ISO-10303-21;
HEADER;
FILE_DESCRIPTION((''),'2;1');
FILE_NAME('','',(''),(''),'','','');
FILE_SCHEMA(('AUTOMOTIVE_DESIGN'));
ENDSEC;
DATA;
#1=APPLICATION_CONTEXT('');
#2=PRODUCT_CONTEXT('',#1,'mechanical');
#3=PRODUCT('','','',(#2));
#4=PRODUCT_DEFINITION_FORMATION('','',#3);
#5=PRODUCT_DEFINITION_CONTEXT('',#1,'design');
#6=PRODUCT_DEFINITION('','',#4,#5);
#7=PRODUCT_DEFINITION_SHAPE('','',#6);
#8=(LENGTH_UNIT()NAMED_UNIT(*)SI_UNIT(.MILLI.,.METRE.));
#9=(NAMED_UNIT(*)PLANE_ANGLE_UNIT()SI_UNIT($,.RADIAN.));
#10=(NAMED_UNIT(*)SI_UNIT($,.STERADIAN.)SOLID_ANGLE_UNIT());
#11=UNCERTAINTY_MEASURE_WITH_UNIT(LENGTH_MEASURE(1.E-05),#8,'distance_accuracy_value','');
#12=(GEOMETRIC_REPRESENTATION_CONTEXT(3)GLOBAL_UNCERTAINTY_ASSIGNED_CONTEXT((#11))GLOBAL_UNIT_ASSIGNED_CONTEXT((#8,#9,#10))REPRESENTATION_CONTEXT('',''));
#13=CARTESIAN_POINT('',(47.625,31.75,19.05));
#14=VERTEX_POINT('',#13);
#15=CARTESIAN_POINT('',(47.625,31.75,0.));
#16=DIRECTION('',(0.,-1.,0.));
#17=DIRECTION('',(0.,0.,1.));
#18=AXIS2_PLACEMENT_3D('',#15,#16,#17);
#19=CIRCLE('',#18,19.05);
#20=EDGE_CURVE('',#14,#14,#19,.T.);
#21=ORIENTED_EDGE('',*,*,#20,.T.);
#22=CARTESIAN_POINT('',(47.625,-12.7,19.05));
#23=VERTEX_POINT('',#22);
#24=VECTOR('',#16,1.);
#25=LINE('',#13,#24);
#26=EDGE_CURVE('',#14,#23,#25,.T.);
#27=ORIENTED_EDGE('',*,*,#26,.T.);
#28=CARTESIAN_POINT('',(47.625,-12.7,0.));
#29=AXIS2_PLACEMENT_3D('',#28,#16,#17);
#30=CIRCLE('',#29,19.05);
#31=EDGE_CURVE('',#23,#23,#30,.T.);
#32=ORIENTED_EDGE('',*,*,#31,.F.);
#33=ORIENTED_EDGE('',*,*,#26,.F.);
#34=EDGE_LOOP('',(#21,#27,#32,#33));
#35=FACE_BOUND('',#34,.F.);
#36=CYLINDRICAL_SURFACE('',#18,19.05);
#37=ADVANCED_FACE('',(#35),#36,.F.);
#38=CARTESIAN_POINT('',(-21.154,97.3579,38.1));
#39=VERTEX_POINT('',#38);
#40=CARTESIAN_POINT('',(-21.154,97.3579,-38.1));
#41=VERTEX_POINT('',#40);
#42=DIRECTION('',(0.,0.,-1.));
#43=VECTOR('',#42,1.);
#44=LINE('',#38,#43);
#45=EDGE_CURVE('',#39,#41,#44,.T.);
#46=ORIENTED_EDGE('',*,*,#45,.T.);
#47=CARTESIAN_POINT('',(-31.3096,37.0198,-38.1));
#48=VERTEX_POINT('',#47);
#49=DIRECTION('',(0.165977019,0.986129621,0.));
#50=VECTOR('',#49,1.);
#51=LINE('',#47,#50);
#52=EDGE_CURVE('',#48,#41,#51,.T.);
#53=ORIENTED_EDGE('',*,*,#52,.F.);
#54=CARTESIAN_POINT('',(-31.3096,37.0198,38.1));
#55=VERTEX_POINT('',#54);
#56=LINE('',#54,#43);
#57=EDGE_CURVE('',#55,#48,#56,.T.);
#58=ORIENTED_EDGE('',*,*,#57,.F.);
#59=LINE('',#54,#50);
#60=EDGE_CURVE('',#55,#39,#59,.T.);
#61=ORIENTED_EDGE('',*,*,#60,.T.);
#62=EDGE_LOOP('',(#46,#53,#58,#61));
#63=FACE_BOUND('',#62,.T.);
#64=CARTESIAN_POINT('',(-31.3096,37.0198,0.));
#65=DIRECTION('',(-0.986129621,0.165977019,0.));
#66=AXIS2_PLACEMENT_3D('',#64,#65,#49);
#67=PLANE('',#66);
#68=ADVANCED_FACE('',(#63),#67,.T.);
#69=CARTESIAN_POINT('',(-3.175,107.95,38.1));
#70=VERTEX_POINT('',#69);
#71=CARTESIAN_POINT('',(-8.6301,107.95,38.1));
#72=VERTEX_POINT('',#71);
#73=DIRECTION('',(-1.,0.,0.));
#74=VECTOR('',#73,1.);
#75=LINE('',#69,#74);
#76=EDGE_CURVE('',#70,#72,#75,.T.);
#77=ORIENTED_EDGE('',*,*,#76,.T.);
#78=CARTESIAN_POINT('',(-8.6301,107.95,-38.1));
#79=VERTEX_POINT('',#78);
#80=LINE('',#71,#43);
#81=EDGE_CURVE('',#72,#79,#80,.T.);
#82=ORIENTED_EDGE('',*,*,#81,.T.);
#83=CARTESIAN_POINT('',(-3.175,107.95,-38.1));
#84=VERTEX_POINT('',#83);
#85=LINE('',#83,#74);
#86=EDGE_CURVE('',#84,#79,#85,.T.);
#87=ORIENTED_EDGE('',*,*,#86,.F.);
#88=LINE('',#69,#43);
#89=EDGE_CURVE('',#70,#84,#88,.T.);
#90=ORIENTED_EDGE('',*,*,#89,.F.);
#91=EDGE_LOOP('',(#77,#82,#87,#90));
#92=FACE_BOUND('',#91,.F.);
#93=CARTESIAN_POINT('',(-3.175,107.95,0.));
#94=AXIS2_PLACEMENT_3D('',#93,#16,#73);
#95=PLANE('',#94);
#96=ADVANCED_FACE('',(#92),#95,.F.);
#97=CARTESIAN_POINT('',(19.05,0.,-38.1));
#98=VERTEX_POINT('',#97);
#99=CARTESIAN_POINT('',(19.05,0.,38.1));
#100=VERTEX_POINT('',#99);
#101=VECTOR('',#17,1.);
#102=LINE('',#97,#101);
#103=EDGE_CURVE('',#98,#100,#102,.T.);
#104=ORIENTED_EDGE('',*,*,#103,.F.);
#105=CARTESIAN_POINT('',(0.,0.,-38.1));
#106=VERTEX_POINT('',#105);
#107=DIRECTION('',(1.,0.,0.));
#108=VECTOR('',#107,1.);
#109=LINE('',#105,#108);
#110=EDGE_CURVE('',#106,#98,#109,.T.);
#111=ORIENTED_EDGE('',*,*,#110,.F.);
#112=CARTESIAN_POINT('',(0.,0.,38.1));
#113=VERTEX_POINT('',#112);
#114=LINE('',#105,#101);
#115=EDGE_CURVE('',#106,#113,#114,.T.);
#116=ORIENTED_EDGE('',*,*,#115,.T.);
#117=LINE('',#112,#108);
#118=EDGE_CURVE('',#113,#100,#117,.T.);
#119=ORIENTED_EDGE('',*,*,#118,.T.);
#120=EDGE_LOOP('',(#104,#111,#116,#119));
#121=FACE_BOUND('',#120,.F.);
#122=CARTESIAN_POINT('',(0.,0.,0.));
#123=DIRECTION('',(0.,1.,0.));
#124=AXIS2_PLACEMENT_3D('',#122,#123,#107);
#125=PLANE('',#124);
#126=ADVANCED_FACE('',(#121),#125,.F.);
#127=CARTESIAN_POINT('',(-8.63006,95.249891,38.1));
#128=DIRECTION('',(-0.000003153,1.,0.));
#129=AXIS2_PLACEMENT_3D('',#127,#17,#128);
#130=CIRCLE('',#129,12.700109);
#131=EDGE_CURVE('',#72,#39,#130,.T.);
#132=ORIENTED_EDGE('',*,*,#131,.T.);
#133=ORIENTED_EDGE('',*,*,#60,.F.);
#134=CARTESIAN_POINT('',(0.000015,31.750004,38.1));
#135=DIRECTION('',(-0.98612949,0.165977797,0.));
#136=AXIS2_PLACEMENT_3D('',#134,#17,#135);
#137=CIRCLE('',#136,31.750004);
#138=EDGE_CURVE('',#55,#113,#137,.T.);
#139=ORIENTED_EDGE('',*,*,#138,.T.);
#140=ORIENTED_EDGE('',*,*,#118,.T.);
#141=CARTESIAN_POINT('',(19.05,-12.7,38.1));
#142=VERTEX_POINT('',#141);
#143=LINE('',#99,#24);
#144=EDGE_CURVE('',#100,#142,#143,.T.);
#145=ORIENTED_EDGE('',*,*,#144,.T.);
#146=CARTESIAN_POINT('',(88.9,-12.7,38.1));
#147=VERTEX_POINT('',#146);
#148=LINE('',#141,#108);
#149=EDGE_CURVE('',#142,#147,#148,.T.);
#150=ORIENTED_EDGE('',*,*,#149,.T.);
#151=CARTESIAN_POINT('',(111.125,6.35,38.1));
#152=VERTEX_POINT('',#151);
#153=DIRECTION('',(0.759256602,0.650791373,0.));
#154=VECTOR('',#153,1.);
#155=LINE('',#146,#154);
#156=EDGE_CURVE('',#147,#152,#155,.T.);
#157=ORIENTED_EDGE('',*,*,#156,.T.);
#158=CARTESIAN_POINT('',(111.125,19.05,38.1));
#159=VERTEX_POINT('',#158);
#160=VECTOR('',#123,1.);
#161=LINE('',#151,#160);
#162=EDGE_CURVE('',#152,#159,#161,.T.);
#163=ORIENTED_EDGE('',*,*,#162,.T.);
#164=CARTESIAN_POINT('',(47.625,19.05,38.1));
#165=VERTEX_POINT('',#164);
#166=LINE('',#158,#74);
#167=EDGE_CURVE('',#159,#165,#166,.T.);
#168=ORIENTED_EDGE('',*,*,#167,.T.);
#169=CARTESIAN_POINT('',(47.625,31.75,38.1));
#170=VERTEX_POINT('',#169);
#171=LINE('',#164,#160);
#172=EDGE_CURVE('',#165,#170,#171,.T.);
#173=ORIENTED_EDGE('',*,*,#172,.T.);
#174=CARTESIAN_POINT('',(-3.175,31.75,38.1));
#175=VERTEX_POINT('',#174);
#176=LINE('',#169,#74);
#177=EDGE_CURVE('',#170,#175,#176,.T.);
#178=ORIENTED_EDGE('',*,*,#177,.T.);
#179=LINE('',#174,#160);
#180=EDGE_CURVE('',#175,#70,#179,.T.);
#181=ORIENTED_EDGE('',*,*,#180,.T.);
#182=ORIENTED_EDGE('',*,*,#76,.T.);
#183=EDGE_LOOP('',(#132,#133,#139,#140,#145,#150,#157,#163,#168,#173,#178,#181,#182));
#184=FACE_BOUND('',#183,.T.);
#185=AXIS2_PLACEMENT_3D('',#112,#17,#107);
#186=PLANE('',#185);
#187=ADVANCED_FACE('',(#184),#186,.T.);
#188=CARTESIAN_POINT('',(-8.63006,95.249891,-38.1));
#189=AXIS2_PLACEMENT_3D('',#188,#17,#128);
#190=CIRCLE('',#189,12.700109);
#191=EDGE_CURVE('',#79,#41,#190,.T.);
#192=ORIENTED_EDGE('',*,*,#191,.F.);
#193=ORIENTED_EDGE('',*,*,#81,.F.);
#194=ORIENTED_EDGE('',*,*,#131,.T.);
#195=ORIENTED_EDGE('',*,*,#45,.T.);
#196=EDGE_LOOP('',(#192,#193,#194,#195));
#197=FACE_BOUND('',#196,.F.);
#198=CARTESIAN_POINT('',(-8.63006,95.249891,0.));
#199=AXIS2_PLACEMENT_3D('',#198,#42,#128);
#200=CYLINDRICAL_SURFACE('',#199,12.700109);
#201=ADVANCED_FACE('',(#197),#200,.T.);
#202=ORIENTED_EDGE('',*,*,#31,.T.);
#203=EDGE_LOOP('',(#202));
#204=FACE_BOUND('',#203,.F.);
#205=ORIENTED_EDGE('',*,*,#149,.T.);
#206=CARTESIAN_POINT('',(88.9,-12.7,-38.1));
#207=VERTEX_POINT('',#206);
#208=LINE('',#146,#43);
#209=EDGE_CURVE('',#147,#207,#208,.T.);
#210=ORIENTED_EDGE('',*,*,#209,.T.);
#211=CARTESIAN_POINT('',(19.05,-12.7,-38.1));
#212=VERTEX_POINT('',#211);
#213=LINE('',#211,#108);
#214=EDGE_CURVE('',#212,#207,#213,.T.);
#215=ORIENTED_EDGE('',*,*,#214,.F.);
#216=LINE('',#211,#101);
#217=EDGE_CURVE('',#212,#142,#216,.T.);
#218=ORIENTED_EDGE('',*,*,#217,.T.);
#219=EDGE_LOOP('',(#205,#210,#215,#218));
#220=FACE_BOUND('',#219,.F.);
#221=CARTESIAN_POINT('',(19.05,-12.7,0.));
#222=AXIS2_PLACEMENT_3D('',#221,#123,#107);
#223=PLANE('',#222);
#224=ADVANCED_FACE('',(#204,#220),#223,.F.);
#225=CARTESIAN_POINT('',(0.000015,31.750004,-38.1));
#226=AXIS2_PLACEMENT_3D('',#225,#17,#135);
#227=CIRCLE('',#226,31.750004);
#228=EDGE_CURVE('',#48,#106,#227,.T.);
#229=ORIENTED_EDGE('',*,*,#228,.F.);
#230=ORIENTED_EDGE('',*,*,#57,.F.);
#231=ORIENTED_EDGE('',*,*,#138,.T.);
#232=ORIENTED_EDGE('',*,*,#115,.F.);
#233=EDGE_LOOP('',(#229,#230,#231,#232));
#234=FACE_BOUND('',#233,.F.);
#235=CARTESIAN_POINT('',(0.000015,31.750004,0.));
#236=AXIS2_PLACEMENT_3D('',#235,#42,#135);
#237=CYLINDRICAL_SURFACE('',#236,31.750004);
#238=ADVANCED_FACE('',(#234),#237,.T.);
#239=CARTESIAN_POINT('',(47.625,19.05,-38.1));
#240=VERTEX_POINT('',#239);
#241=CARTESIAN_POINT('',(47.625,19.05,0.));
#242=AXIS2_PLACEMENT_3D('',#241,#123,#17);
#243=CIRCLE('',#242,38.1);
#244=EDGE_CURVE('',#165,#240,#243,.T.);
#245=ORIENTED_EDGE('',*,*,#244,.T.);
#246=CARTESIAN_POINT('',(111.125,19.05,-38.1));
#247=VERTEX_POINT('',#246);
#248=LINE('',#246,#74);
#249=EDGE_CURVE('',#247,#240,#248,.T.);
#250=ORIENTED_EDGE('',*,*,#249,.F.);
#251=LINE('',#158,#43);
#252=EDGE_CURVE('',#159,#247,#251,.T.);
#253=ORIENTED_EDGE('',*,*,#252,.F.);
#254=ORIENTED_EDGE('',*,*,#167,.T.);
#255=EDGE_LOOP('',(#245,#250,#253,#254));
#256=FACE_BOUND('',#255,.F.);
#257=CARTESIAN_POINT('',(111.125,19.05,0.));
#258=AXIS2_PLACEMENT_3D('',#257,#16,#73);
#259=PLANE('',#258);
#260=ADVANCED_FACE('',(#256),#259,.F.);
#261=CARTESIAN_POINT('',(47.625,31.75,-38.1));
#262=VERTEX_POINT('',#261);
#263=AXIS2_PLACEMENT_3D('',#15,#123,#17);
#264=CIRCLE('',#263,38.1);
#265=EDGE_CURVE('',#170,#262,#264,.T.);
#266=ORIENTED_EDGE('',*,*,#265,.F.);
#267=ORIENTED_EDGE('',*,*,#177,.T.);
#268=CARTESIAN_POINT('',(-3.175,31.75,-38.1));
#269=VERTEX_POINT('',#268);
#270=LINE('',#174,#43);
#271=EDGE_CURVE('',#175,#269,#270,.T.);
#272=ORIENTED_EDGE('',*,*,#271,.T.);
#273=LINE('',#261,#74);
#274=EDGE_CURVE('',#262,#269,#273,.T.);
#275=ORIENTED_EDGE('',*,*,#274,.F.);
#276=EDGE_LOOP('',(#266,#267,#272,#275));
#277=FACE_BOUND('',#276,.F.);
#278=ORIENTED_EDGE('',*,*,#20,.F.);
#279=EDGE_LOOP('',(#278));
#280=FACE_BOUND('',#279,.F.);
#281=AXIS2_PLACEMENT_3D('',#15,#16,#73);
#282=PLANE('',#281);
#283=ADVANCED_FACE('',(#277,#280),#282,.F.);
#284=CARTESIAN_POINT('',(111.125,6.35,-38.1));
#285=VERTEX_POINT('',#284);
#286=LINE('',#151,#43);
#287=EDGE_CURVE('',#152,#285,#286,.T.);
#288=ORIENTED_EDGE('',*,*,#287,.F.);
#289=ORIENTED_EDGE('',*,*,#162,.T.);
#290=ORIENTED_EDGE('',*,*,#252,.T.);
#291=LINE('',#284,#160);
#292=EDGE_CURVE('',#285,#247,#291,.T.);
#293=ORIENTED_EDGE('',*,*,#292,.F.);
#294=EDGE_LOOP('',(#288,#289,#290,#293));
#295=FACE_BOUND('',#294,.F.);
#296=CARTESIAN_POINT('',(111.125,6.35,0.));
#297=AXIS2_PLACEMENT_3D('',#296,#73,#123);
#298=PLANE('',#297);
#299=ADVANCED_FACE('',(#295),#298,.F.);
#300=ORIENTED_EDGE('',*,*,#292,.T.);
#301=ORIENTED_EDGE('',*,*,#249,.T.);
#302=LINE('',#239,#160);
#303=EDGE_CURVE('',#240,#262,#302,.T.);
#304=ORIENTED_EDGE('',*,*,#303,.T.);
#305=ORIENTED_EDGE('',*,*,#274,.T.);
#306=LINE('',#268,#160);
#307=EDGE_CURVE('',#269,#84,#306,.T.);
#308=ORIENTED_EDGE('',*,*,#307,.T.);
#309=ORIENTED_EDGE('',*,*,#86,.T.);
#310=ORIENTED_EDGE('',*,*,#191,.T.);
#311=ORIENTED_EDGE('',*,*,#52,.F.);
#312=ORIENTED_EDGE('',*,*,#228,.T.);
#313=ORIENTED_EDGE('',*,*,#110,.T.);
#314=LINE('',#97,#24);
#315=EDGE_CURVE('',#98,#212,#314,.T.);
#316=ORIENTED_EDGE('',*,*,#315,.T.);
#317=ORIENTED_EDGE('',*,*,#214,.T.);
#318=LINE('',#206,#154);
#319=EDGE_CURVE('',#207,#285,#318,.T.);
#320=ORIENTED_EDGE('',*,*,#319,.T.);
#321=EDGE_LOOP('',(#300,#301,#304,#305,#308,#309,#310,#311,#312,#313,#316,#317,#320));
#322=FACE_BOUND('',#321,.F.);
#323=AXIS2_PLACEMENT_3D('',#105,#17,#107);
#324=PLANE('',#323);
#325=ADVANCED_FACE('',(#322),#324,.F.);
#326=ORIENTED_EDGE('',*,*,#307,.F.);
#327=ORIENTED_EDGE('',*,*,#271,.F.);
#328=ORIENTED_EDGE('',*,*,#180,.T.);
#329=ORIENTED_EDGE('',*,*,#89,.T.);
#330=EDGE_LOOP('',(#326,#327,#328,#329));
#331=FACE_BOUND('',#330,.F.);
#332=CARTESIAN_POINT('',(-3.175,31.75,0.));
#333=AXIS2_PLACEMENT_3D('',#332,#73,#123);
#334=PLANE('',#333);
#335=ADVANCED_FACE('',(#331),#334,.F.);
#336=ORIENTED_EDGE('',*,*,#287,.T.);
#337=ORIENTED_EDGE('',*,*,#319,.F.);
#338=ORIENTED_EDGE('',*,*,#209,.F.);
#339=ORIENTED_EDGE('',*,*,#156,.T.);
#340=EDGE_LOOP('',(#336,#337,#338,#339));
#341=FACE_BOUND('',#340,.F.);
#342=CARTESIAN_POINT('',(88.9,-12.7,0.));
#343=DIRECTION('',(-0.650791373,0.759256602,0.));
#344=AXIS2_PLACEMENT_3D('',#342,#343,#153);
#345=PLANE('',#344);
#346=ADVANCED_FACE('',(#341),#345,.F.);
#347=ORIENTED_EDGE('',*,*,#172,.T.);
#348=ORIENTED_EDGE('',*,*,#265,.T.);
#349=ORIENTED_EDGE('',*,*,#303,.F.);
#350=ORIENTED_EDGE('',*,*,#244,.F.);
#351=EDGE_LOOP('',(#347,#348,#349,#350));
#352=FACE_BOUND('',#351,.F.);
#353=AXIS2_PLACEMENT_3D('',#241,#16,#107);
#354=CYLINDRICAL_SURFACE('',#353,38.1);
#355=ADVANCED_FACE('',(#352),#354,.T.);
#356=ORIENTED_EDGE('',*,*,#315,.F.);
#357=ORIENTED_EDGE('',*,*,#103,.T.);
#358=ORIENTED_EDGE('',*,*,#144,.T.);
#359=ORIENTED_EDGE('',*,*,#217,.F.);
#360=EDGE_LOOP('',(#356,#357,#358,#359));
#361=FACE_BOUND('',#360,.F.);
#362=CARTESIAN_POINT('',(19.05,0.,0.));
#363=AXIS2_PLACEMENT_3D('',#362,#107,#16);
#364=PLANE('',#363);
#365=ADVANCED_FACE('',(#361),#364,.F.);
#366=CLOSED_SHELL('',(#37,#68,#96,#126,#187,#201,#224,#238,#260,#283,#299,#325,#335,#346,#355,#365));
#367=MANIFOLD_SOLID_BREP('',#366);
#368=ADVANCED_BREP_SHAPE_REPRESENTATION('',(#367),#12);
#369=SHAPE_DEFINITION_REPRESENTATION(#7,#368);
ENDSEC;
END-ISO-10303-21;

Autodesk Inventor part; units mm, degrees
ref_plane "YZ Plane" through (0, 0, 0) normal (1, 0, 0) x (0, 1, 0)
ref_plane "XZ Plane" through (0, 0, 0) normal (0, 1, 0) x (-1, 0, 0)
ref_plane "XY Plane" through (0, 0, 0) normal (0, 0, 1) x (1, 0, 0)
sketch "Sketch1" plane through (0, 0, 0) normal (0, 0, 1) x (1, 0, 0)
  line L0 (0, 0) -> (19.05, 0)
  line L1 (19.05, 0) -> (19.05, -12.7)
  line L2 (19.05, -12.7) -> (88.9, -12.7)
  line L3 (111.125, 19.05) -> (47.625, 19.05)
  line L4 (47.625, 19.05) -> (47.625, 31.75)
  line L5 (47.625, 31.75) -> (-3.175, 31.75)
  line L6 (-3.175, 31.75) -> (-3.175, 107.95)
  line L7 (-3.175, 107.95) -> (-8.6301, 107.95)
  arc A0 (-8.6301, 107.95) -> (-21.154, 97.3579) centre (-8.6301, 95.25) ccw
  arc A1 (-31.3096, 37.0198) -> (0, 0) centre (0, 31.75) ccw
  line L8 (-31.3096, 37.0198) -> (-21.154, 97.3579)
  line L9 (88.9, -12.7) -> (111.125, 6.35)
  line L10 (111.125, 6.35) -> (111.125, 19.05)
  dimension "d29" = 114.3
  dimension "d30" = 120.65
  dimension "d31" = 19.05
  dimension "d32" = 69.85
  dimension "d33" = 50.8
  dimension "d35" = 31.75
  dimension "d36" = 76.2
  dimension "d37" = 12.7
  dimension "d38" = 31.75
  dimension "d39" = 12.7
  dimension "d40" = 12.7
extrude "Extrusion1" add sketch "Sketch1" along normal mid plane 76.2
sketch "Sketch2" plane through (47.625, 19.05, 38.1) normal (0, 1, 0) x (1, 0, 0)
  line L0 (0, 76.2) -> (0, 0) projected
  circle A0 centre (0, 38.1) radius 38.1
  point P0 (-47.625, 38.1)
extrude "Extrusion2" add sketch "Sketch2" along normal blind 12.7
hole "Hole1" at (47.625, 31.75, 0) direction (0, -1, 0) diameter 38.1 end through all
properties part number "HW 4 Part 3" material "Iron, Cast"
